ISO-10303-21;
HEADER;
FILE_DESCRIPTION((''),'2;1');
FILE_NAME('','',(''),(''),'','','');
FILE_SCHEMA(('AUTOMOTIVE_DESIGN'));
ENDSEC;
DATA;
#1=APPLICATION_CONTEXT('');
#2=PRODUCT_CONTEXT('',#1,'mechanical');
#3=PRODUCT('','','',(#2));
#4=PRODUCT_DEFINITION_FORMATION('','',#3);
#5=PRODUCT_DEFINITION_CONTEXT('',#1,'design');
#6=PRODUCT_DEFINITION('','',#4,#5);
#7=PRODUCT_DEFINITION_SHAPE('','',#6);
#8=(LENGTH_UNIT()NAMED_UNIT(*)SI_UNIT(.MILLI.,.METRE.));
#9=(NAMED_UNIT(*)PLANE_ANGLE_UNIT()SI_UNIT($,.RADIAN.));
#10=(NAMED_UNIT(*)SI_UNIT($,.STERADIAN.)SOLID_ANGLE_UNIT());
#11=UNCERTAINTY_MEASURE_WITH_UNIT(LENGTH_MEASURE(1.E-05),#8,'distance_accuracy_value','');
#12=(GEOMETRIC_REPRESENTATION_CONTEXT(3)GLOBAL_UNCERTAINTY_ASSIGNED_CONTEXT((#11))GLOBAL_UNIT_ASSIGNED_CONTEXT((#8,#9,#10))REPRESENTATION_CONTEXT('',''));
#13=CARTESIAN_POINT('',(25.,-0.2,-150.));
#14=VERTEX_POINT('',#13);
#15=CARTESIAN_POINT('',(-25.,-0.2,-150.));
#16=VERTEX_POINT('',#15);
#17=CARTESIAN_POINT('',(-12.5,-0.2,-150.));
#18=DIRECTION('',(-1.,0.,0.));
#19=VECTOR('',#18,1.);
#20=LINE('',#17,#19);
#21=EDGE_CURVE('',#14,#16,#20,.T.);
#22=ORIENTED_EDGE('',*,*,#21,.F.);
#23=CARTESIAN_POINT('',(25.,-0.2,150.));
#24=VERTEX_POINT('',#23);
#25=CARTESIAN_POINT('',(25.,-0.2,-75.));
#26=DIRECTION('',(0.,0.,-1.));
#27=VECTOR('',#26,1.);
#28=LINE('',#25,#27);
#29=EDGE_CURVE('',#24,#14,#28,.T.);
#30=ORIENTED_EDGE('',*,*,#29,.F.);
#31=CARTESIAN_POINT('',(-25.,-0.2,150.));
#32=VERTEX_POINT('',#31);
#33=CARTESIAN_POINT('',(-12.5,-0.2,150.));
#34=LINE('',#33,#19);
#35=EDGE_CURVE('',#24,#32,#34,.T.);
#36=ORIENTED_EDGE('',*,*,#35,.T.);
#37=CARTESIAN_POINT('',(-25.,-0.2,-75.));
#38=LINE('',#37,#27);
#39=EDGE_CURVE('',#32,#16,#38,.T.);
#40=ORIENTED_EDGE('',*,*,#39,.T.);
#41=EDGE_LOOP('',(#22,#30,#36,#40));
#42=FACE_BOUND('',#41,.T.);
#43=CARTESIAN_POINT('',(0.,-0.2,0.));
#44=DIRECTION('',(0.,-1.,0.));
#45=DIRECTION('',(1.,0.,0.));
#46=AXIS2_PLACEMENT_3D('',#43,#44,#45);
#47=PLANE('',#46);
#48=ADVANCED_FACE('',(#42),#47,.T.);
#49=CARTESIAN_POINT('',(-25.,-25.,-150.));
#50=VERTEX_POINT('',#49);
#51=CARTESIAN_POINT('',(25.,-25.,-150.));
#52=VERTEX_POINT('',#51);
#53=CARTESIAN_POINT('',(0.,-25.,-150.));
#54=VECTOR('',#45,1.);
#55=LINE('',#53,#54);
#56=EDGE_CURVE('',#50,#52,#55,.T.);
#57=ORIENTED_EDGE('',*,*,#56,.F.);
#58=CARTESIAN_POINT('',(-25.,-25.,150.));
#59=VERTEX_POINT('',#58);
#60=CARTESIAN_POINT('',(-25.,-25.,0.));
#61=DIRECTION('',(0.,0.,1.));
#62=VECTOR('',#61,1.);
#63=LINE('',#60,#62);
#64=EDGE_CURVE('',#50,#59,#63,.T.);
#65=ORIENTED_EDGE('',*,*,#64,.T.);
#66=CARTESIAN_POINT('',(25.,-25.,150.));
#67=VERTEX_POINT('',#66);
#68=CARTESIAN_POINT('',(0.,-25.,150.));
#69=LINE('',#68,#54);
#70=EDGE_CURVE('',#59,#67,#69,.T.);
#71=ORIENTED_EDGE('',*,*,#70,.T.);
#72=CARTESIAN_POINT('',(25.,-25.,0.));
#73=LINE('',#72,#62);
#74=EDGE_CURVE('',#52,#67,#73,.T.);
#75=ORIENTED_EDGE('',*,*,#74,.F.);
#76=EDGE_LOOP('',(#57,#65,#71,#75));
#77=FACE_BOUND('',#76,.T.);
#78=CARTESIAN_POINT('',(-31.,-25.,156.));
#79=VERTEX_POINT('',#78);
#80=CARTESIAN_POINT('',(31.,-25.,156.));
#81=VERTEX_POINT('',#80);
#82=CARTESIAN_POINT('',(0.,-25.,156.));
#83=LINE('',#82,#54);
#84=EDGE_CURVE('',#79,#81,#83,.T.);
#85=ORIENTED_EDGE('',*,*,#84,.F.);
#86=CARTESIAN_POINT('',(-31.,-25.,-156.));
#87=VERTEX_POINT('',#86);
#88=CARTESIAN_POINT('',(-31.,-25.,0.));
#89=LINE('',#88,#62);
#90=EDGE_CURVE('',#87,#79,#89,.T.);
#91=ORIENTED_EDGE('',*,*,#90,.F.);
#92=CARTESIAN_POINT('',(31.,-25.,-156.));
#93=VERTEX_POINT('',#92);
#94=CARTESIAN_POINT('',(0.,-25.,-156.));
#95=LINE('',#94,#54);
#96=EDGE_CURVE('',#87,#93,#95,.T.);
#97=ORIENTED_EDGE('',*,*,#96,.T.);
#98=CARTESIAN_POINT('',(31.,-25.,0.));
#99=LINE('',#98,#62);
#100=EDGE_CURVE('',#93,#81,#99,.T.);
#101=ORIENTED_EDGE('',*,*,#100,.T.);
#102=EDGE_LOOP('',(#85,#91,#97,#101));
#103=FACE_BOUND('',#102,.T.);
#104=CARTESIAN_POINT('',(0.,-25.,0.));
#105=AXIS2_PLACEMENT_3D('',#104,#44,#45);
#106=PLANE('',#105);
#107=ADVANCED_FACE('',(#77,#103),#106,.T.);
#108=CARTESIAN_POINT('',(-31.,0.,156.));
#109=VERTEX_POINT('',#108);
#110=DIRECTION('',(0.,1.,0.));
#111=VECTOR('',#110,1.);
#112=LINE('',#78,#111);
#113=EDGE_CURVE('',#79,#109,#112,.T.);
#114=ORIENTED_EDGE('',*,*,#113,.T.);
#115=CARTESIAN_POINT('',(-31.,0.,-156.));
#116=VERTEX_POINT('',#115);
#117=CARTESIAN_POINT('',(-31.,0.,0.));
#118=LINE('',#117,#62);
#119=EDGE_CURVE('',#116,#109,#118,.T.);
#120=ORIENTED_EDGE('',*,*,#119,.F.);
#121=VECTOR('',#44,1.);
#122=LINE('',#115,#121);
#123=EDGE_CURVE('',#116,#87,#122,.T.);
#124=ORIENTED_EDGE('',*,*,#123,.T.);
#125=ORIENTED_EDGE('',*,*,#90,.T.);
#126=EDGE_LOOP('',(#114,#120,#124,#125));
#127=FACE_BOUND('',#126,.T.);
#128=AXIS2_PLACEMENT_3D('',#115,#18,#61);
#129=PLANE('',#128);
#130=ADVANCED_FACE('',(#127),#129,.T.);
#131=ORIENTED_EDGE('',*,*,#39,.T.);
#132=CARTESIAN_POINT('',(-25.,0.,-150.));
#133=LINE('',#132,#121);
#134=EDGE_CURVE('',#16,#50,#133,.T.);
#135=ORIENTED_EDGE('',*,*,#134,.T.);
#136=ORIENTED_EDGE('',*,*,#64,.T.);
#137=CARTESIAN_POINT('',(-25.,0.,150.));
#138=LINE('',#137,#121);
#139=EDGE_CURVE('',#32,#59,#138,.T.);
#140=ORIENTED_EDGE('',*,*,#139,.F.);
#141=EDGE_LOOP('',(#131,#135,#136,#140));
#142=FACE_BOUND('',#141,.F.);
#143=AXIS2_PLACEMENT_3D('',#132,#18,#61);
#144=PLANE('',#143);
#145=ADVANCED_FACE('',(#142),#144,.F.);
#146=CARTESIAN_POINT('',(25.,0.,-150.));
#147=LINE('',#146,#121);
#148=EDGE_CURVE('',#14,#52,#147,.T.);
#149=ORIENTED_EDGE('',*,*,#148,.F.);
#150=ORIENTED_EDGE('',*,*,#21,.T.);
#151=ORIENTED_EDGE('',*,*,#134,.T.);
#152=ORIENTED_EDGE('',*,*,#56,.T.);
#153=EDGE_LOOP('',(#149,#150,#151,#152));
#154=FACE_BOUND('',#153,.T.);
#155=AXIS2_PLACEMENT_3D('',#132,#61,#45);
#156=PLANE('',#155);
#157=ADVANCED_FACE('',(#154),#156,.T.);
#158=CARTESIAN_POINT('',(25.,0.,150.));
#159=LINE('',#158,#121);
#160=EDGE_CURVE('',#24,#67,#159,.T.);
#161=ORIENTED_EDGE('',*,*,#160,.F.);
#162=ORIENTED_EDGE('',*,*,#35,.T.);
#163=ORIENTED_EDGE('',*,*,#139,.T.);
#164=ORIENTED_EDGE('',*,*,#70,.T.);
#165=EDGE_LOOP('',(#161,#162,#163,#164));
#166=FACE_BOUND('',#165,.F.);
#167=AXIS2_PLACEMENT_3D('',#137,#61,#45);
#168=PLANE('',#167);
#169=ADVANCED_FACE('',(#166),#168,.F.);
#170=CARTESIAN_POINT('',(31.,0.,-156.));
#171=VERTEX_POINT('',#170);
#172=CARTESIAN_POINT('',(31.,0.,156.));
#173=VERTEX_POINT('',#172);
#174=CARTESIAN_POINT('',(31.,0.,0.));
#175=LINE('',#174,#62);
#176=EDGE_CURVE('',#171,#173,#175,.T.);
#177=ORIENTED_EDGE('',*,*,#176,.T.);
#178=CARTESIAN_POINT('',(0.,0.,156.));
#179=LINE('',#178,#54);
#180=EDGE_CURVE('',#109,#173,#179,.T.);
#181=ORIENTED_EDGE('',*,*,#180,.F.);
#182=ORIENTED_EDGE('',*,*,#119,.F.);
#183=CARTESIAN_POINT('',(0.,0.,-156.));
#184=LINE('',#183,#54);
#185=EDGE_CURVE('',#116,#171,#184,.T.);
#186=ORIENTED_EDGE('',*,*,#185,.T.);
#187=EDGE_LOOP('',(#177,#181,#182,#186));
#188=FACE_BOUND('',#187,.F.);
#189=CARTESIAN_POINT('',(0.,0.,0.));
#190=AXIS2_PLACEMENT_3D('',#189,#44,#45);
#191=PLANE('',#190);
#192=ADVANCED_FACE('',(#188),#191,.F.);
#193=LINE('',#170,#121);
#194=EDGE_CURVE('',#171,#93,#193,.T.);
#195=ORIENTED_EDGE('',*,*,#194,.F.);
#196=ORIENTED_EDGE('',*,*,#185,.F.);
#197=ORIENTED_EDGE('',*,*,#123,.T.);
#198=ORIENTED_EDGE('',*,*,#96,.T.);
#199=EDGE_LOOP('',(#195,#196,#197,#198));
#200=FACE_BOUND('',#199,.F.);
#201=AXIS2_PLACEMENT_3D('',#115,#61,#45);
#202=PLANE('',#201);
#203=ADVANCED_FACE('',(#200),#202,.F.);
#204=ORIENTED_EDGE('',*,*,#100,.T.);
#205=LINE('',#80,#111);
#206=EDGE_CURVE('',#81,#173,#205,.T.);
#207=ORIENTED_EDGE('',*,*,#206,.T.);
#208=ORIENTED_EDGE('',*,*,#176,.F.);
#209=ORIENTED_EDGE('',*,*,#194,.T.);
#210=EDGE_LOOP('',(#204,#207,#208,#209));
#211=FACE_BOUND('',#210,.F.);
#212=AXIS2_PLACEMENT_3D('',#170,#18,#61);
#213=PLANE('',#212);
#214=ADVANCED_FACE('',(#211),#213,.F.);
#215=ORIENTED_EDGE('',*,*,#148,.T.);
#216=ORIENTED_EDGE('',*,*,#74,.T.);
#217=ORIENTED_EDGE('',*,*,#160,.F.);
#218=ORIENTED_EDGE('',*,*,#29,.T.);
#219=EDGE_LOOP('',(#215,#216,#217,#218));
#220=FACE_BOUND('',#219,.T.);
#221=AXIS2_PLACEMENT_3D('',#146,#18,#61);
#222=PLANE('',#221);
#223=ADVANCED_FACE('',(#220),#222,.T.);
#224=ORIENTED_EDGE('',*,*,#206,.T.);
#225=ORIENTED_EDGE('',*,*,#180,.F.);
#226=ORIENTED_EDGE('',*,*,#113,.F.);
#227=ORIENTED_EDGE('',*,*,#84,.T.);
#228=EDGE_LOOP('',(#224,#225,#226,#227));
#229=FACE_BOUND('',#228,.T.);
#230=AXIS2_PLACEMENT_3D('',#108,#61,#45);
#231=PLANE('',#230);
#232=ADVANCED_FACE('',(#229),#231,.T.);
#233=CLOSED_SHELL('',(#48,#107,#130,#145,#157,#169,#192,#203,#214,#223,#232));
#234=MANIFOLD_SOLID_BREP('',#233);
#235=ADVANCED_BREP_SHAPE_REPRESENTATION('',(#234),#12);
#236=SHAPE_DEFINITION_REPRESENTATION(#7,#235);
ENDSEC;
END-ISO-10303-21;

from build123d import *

# Parameters (mm, degrees)
F0_W     = 62
F0_H     = 312
F0_W_2   = 50
F0_H_2   = 300
F1_DEPTH = 0.2
F2_DEPTH = 25


with BuildPart() as f1:
    # F0 (on Front) → F1 (new body)
    with BuildSketch(Plane.XZ):
        Rectangle(F0_W, F0_H)
        Rectangle(F0_W_2, F0_H_2, mode=Mode.SUBTRACT)
        Rectangle(F0_W_2, F0_H_2)
    extrude(amount=F1_DEPTH)

    # F0 (on Front) → F2 (join)
    with BuildSketch(Plane.XZ):
        Rectangle(F0_W, F0_H)
        Rectangle(F0_W_2, F0_H_2, mode=Mode.SUBTRACT)
    extrude(amount=F2_DEPTH)


solid = f1.part
